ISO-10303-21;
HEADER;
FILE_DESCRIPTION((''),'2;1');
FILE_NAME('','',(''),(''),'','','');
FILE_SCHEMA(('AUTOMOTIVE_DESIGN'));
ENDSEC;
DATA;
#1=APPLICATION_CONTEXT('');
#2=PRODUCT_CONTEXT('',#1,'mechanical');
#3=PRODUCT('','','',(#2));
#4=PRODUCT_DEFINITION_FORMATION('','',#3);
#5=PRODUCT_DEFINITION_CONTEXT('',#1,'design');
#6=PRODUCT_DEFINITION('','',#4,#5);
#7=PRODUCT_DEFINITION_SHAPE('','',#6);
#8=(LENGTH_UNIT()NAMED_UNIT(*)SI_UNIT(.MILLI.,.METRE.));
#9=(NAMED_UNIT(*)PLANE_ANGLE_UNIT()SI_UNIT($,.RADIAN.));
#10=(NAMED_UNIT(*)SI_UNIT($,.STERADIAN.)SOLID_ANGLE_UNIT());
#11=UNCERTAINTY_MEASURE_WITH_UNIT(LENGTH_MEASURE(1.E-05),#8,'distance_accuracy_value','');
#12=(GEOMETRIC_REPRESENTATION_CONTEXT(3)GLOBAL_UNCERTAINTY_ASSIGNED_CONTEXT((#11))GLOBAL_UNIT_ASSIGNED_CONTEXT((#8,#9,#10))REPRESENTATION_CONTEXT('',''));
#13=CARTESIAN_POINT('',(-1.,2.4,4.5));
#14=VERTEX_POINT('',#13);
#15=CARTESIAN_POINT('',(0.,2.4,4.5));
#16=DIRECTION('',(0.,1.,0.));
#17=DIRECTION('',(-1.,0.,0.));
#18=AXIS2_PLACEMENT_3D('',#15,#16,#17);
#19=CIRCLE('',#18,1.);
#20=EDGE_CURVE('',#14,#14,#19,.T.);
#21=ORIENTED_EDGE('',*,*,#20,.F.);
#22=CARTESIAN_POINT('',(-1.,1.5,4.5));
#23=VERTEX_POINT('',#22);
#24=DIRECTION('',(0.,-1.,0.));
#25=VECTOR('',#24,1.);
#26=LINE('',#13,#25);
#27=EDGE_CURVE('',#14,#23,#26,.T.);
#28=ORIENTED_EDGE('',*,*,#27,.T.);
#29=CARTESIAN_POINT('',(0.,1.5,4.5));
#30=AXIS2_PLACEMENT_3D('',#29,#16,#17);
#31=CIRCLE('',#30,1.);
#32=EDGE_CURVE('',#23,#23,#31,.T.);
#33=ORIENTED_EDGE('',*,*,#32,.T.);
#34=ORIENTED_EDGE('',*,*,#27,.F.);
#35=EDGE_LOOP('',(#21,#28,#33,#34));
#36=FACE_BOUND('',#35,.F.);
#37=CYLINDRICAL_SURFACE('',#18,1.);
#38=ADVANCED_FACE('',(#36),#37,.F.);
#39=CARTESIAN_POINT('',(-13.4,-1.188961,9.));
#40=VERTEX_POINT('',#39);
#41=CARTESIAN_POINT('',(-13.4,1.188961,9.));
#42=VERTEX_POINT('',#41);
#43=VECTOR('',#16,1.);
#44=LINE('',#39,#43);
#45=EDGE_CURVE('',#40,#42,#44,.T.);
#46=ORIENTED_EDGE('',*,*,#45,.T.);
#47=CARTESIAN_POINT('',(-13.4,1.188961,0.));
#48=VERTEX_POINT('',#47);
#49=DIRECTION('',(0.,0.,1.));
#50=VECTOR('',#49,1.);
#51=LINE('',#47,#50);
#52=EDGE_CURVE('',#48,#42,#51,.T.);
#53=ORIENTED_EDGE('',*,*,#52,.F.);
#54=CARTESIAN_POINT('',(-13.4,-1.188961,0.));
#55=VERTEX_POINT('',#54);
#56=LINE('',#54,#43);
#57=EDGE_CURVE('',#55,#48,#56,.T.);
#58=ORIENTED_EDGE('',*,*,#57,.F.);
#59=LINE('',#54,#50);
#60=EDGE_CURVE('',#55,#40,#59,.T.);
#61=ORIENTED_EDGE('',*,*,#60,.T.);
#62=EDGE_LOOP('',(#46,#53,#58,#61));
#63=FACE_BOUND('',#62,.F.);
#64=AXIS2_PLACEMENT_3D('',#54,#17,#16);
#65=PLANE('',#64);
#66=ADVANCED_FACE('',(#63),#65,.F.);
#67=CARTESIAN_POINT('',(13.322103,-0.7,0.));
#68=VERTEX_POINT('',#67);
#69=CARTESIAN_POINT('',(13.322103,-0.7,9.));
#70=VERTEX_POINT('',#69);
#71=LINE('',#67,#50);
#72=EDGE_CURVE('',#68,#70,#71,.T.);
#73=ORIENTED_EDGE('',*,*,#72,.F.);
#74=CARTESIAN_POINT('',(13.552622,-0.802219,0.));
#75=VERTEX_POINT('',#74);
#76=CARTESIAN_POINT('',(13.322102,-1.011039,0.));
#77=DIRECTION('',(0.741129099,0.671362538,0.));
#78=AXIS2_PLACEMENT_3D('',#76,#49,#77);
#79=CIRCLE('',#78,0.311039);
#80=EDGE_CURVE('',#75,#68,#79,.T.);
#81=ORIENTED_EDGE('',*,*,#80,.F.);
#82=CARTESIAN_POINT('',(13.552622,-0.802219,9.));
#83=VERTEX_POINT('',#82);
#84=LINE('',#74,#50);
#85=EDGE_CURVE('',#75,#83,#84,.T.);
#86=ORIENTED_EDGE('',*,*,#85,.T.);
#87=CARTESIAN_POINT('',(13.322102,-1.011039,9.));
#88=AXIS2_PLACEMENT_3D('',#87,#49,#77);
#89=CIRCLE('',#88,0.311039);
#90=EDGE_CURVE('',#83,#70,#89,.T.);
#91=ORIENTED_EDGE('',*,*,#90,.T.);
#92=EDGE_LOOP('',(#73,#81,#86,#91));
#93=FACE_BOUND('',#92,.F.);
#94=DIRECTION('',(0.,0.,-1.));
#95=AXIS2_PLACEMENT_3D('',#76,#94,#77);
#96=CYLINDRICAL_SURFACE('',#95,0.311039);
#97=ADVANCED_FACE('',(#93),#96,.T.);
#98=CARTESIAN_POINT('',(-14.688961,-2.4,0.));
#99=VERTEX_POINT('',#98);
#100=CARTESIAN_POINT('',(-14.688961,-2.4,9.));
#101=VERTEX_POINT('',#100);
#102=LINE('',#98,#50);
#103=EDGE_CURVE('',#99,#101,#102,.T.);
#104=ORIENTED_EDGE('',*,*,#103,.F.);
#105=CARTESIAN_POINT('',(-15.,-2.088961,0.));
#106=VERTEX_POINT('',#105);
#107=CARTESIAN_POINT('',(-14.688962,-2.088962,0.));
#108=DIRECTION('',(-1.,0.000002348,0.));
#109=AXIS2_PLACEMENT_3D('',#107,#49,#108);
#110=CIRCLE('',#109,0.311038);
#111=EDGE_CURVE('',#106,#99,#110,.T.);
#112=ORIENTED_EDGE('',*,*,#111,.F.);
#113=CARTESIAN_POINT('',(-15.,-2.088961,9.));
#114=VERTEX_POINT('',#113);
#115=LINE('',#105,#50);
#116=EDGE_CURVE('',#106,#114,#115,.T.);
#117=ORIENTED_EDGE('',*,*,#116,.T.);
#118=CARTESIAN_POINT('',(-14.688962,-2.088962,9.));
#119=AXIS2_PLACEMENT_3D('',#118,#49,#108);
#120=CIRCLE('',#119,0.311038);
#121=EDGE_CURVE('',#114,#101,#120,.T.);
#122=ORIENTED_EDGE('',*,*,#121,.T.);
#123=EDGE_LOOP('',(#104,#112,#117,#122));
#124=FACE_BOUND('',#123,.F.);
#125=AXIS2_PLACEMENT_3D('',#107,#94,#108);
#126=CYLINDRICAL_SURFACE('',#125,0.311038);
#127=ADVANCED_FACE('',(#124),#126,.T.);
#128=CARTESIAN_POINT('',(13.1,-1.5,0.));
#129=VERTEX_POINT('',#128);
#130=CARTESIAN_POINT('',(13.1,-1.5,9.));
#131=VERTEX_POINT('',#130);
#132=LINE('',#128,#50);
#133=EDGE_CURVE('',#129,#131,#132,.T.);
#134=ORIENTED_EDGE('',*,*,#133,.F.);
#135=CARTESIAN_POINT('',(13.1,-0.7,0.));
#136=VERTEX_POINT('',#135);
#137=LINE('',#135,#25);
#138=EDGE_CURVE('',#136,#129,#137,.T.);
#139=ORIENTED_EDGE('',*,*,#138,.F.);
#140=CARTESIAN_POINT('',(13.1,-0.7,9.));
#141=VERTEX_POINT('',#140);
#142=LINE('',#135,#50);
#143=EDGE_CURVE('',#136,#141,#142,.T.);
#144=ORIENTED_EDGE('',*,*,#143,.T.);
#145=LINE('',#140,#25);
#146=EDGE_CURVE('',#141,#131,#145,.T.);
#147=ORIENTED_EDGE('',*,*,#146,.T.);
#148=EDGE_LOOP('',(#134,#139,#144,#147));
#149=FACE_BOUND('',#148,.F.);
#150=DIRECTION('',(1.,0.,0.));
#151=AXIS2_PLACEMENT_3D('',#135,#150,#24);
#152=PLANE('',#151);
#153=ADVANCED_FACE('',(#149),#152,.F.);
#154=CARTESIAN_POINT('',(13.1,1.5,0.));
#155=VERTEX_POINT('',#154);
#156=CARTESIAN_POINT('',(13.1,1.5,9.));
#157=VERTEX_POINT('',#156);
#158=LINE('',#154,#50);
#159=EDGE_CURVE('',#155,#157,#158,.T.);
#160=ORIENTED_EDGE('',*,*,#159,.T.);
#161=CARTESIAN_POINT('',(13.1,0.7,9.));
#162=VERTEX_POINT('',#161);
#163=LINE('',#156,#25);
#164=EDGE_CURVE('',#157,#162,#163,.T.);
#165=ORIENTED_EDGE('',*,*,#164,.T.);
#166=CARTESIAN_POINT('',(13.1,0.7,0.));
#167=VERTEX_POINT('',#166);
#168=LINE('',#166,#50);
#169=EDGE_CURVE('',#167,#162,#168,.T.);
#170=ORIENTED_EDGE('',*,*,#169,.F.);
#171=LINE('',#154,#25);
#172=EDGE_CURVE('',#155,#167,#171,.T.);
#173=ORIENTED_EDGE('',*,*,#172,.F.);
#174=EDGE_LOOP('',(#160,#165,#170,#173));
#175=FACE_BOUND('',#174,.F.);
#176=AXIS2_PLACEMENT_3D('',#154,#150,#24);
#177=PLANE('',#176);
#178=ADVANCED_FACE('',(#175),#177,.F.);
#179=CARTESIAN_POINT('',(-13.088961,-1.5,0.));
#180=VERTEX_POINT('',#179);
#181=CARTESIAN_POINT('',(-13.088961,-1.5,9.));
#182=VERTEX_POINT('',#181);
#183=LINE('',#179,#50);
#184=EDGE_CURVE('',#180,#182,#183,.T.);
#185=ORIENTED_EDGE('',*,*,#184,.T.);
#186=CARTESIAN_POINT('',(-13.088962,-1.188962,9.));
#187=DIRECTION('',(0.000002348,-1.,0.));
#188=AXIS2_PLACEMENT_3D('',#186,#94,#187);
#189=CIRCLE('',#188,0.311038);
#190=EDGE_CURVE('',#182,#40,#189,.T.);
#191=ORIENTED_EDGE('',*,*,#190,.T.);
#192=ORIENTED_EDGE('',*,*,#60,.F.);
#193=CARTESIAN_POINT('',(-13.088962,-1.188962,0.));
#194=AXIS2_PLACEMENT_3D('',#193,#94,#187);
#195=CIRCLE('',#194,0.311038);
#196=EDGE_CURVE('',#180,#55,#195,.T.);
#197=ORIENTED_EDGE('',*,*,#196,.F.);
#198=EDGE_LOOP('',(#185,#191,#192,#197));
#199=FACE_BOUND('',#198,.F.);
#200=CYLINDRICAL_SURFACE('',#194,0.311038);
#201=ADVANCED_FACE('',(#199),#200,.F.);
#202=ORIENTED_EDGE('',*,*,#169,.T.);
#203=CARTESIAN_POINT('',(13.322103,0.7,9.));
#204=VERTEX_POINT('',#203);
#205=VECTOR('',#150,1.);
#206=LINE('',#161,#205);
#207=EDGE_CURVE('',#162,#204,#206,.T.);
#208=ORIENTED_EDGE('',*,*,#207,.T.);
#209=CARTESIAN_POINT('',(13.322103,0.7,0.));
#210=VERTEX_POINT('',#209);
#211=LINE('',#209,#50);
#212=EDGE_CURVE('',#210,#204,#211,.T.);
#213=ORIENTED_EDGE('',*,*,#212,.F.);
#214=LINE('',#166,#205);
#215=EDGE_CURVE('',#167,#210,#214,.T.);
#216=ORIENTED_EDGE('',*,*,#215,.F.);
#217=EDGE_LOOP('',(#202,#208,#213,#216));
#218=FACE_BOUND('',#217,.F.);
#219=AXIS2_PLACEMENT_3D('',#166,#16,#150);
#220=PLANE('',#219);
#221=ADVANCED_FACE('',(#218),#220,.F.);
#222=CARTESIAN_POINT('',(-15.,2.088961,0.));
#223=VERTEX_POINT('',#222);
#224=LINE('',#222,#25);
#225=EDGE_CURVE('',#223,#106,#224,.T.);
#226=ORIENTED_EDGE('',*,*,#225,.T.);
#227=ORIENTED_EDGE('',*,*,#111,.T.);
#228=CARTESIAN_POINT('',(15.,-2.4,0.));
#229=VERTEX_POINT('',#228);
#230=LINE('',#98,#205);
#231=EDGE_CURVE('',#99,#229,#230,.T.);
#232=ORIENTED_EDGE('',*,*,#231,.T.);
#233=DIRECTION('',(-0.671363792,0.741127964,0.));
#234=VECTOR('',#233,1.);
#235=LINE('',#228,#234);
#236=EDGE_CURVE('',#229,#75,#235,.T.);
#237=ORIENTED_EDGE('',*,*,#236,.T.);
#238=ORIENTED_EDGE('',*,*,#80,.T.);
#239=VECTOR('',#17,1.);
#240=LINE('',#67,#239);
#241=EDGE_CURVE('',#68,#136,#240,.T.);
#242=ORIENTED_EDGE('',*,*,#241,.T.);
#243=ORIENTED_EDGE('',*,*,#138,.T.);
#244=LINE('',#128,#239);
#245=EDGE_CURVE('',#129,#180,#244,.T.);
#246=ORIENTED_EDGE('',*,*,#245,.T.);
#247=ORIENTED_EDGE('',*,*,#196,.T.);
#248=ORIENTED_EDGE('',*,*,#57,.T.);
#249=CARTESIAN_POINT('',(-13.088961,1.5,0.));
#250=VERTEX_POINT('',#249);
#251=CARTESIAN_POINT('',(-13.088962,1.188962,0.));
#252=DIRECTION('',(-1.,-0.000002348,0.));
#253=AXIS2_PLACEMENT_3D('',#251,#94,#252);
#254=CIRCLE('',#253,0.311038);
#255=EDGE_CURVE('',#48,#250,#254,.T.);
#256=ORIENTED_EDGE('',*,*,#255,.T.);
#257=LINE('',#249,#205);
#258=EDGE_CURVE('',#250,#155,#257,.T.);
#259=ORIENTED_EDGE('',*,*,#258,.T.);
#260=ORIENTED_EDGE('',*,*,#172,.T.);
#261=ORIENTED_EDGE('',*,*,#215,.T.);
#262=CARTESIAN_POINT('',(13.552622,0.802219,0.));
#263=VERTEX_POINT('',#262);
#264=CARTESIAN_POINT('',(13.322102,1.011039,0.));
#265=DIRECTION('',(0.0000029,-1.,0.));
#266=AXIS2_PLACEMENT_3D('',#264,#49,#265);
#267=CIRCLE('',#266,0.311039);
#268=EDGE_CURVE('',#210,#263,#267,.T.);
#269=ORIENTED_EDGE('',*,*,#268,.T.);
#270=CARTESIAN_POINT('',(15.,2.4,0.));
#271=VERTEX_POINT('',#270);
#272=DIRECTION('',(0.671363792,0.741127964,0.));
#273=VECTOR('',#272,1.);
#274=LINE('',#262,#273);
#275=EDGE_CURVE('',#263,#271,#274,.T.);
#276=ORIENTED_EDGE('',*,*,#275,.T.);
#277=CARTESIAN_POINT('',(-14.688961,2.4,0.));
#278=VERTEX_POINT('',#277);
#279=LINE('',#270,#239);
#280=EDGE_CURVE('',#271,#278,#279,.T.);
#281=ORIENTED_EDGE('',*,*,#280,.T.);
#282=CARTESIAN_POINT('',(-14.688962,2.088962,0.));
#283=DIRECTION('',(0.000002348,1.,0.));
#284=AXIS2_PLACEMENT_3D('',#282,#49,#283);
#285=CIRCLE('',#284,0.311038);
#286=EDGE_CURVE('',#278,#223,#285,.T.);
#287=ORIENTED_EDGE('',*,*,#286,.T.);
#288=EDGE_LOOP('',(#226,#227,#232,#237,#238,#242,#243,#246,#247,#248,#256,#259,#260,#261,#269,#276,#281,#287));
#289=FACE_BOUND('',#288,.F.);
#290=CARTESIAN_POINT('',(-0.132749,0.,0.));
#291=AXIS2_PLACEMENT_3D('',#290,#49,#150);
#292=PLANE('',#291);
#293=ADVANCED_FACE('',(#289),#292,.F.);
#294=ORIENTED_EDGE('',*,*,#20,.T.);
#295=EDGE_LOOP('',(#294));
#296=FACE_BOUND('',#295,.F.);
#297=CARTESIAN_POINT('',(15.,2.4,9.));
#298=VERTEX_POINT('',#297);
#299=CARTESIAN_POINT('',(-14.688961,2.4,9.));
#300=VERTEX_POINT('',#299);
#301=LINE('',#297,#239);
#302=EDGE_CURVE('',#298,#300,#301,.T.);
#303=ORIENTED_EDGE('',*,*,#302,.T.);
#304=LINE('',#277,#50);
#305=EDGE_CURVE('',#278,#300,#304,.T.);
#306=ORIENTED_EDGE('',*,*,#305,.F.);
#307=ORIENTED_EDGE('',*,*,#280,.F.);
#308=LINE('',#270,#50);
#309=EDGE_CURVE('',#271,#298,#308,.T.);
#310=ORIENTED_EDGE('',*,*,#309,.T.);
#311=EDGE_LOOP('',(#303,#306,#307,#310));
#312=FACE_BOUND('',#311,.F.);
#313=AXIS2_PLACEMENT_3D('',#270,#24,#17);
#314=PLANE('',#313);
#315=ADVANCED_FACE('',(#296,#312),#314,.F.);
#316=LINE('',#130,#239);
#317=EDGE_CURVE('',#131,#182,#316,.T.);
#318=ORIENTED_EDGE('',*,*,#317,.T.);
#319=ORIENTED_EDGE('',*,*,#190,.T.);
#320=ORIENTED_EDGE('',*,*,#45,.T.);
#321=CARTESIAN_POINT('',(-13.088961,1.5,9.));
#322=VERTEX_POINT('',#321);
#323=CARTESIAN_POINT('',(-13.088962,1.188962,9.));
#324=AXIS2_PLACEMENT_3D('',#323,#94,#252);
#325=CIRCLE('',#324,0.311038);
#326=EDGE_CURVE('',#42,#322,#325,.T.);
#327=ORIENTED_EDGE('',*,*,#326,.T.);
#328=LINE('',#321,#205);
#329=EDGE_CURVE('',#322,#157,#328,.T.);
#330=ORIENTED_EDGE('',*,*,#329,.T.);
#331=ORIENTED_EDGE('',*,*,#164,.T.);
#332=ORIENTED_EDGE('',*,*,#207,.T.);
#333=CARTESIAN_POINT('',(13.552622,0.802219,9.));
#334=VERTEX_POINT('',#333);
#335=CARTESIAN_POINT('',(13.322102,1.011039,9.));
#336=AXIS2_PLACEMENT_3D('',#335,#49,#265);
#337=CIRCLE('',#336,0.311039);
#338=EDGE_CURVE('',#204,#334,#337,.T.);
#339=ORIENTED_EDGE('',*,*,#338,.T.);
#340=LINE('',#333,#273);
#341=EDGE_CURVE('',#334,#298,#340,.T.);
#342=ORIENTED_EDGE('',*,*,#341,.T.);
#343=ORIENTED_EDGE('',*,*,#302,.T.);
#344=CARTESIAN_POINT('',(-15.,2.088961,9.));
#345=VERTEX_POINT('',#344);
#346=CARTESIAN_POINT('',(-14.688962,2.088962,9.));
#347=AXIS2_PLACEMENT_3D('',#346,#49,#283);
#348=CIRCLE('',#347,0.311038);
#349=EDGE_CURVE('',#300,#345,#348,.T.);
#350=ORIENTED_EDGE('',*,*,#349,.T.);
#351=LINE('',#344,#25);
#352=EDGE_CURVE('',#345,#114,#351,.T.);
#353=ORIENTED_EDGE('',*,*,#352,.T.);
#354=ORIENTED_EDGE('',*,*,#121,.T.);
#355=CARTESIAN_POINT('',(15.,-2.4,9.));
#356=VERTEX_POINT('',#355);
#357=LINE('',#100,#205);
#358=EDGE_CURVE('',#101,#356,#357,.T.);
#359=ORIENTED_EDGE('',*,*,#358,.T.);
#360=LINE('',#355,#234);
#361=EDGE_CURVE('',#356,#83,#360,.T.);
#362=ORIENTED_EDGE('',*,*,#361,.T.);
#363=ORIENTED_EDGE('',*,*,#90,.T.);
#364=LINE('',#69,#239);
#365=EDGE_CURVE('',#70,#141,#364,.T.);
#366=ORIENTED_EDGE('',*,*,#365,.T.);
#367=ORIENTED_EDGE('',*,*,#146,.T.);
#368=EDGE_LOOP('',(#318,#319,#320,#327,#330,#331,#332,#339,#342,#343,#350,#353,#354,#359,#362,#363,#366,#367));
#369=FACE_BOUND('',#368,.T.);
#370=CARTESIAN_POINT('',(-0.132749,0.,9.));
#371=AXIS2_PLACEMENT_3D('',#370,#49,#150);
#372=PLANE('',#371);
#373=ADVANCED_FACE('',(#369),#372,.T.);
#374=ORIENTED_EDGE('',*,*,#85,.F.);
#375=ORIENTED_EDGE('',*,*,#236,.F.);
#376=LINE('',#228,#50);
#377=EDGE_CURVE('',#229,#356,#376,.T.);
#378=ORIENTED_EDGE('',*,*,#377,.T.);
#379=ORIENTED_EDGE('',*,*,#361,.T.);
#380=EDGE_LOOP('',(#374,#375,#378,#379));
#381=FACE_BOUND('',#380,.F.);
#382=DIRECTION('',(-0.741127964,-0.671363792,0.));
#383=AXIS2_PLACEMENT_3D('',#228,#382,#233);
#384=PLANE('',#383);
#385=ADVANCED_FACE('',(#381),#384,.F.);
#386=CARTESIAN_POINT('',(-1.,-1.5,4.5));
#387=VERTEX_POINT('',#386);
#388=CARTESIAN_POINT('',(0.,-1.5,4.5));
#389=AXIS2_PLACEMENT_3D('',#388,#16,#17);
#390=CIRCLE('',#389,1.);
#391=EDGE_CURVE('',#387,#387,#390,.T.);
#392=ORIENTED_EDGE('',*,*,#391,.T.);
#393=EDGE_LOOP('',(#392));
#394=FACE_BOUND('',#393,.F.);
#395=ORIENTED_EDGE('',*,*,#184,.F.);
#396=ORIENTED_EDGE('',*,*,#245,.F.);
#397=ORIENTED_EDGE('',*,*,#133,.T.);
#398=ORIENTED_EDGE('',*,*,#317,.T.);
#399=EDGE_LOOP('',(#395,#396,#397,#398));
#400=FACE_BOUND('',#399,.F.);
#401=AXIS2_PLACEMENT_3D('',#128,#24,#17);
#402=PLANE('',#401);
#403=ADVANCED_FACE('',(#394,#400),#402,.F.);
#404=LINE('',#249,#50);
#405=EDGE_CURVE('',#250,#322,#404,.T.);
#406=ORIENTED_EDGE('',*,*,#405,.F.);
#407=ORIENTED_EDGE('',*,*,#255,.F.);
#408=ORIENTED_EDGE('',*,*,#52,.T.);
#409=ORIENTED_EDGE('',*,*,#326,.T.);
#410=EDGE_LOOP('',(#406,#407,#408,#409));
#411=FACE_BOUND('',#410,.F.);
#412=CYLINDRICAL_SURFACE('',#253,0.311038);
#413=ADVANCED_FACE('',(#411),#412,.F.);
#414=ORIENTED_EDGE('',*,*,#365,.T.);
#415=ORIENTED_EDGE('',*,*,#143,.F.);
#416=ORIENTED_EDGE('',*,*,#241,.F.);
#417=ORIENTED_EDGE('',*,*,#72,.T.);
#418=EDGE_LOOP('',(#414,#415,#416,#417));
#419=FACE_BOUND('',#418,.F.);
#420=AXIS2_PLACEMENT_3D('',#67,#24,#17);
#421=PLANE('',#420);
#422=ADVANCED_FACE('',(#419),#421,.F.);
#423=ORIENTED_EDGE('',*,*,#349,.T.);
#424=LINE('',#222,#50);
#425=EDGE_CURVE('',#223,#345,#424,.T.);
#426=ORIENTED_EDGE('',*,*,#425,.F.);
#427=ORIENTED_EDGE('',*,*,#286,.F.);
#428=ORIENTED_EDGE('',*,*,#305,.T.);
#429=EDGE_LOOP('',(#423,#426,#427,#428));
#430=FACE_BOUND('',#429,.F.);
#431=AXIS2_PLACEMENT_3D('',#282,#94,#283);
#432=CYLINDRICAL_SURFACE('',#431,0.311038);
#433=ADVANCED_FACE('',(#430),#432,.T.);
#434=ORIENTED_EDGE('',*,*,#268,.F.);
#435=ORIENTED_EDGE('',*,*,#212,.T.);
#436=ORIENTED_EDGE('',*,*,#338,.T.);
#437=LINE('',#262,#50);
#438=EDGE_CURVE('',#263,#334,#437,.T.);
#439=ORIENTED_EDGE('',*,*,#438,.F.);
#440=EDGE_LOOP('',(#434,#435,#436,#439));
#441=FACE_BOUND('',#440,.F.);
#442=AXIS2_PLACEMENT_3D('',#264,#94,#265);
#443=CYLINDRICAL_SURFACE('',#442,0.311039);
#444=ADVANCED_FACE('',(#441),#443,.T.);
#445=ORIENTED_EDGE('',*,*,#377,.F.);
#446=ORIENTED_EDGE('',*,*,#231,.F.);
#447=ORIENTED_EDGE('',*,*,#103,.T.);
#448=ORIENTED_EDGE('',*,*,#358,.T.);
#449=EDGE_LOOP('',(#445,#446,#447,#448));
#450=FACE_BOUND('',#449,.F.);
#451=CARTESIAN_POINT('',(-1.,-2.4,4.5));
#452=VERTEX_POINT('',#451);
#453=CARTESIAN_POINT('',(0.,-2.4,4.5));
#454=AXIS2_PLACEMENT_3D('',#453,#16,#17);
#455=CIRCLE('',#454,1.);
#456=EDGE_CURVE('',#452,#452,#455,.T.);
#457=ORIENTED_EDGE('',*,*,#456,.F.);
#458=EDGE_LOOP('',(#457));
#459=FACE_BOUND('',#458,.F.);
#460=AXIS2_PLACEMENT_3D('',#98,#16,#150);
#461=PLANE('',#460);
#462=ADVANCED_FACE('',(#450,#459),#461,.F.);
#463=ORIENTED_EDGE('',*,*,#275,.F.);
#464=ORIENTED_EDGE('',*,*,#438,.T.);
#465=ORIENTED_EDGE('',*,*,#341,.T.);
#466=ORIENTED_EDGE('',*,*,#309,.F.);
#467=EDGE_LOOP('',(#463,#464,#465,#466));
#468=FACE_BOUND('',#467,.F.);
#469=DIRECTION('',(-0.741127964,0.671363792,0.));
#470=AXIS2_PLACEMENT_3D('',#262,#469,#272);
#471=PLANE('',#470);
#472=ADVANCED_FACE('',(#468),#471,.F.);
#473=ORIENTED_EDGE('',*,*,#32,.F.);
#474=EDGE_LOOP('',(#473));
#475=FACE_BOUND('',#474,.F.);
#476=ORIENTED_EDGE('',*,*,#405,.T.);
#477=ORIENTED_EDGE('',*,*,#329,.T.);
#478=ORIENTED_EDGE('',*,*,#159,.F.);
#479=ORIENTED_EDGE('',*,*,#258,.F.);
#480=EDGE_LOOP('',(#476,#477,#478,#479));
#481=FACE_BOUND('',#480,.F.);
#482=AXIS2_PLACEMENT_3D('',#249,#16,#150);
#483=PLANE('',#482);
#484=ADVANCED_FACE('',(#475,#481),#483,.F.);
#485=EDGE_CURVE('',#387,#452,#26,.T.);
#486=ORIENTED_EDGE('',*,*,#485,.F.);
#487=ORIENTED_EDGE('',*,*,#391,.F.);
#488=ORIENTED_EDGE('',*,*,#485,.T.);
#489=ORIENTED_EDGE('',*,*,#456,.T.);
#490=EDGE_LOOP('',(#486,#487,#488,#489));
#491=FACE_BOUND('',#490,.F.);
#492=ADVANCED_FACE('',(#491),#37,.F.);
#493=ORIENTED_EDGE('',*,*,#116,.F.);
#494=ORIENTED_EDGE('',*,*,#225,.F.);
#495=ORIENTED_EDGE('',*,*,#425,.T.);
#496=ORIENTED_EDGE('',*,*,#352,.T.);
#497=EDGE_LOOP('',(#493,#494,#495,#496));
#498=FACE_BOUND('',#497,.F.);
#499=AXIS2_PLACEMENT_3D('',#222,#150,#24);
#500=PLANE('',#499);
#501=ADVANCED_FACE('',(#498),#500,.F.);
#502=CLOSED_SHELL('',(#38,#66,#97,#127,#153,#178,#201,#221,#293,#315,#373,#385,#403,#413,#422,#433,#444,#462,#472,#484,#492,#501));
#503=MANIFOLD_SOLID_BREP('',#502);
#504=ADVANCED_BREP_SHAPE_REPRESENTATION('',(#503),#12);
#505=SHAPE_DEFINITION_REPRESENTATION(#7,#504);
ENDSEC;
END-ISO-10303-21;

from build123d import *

# Parameters (mm, degrees)
F1_DEPTH = 9
F2_R     = 1
F3_DEPTH = 4.801


with BuildPart() as f1:
    # F0 (on Top) → F1 (new body)
    with BuildSketch(Plane.XY):
        with BuildLine():
            Line((-14.688961, -2.4), (15, -2.4))
            Line((15, -2.4), (13.552622, -0.802219))
            ThreePointArc((13.552622, -0.802219), (13.448186, -0.726701), (13.322103, -0.7))
            Line((13.322103, -0.7), (13.1, -0.7))
            Line((13.1, -0.7), (13.1, -1.5))
            Line((13.1, -1.5), (-13.088961, -1.5))
            ThreePointArc((-13.088961, -1.5), (-13.308899, -1.408899), (-13.4, -1.188961))
            Line((-13.4, -1.188961), (-13.4, 1.188961))
            ThreePointArc((-13.4, 1.188961), (-13.308899, 1.408899), (-13.088961, 1.5))
            Line((-13.088961, 1.5), (13.1, 1.5))
            Line((13.1, 1.5), (13.1, 0.7))
            Line((13.1, 0.7), (13.322103, 0.7))
            ThreePointArc((13.322103, 0.7), (13.448186, 0.726701), (13.552622, 0.802219))
            Line((13.552622, 0.802219), (15, 2.4))
            Line((15, 2.4), (-14.688961, 2.4))
            ThreePointArc((-14.688961, 2.4), (-14.908899, 2.308899), (-15, 2.088961))
            Line((-15, 2.088961), (-15, -2.088961))
            ThreePointArc((-15, -2.088961), (-14.908899, -2.308899), (-14.688961, -2.4))
        make_face()
    extrude(amount=F1_DEPTH)

    # F2 (on face) → F3 (cut, through all)
    with BuildSketch(Plane(origin=(0, 2.4, 0), x_dir=(-1, 0, 0), z_dir=(0, 1, 0))):
        with Locations((0, 4.5)):
            Circle(F2_R)
    extrude(amount=-F3_DEPTH, mode=Mode.SUBTRACT)


solid = f1.part
